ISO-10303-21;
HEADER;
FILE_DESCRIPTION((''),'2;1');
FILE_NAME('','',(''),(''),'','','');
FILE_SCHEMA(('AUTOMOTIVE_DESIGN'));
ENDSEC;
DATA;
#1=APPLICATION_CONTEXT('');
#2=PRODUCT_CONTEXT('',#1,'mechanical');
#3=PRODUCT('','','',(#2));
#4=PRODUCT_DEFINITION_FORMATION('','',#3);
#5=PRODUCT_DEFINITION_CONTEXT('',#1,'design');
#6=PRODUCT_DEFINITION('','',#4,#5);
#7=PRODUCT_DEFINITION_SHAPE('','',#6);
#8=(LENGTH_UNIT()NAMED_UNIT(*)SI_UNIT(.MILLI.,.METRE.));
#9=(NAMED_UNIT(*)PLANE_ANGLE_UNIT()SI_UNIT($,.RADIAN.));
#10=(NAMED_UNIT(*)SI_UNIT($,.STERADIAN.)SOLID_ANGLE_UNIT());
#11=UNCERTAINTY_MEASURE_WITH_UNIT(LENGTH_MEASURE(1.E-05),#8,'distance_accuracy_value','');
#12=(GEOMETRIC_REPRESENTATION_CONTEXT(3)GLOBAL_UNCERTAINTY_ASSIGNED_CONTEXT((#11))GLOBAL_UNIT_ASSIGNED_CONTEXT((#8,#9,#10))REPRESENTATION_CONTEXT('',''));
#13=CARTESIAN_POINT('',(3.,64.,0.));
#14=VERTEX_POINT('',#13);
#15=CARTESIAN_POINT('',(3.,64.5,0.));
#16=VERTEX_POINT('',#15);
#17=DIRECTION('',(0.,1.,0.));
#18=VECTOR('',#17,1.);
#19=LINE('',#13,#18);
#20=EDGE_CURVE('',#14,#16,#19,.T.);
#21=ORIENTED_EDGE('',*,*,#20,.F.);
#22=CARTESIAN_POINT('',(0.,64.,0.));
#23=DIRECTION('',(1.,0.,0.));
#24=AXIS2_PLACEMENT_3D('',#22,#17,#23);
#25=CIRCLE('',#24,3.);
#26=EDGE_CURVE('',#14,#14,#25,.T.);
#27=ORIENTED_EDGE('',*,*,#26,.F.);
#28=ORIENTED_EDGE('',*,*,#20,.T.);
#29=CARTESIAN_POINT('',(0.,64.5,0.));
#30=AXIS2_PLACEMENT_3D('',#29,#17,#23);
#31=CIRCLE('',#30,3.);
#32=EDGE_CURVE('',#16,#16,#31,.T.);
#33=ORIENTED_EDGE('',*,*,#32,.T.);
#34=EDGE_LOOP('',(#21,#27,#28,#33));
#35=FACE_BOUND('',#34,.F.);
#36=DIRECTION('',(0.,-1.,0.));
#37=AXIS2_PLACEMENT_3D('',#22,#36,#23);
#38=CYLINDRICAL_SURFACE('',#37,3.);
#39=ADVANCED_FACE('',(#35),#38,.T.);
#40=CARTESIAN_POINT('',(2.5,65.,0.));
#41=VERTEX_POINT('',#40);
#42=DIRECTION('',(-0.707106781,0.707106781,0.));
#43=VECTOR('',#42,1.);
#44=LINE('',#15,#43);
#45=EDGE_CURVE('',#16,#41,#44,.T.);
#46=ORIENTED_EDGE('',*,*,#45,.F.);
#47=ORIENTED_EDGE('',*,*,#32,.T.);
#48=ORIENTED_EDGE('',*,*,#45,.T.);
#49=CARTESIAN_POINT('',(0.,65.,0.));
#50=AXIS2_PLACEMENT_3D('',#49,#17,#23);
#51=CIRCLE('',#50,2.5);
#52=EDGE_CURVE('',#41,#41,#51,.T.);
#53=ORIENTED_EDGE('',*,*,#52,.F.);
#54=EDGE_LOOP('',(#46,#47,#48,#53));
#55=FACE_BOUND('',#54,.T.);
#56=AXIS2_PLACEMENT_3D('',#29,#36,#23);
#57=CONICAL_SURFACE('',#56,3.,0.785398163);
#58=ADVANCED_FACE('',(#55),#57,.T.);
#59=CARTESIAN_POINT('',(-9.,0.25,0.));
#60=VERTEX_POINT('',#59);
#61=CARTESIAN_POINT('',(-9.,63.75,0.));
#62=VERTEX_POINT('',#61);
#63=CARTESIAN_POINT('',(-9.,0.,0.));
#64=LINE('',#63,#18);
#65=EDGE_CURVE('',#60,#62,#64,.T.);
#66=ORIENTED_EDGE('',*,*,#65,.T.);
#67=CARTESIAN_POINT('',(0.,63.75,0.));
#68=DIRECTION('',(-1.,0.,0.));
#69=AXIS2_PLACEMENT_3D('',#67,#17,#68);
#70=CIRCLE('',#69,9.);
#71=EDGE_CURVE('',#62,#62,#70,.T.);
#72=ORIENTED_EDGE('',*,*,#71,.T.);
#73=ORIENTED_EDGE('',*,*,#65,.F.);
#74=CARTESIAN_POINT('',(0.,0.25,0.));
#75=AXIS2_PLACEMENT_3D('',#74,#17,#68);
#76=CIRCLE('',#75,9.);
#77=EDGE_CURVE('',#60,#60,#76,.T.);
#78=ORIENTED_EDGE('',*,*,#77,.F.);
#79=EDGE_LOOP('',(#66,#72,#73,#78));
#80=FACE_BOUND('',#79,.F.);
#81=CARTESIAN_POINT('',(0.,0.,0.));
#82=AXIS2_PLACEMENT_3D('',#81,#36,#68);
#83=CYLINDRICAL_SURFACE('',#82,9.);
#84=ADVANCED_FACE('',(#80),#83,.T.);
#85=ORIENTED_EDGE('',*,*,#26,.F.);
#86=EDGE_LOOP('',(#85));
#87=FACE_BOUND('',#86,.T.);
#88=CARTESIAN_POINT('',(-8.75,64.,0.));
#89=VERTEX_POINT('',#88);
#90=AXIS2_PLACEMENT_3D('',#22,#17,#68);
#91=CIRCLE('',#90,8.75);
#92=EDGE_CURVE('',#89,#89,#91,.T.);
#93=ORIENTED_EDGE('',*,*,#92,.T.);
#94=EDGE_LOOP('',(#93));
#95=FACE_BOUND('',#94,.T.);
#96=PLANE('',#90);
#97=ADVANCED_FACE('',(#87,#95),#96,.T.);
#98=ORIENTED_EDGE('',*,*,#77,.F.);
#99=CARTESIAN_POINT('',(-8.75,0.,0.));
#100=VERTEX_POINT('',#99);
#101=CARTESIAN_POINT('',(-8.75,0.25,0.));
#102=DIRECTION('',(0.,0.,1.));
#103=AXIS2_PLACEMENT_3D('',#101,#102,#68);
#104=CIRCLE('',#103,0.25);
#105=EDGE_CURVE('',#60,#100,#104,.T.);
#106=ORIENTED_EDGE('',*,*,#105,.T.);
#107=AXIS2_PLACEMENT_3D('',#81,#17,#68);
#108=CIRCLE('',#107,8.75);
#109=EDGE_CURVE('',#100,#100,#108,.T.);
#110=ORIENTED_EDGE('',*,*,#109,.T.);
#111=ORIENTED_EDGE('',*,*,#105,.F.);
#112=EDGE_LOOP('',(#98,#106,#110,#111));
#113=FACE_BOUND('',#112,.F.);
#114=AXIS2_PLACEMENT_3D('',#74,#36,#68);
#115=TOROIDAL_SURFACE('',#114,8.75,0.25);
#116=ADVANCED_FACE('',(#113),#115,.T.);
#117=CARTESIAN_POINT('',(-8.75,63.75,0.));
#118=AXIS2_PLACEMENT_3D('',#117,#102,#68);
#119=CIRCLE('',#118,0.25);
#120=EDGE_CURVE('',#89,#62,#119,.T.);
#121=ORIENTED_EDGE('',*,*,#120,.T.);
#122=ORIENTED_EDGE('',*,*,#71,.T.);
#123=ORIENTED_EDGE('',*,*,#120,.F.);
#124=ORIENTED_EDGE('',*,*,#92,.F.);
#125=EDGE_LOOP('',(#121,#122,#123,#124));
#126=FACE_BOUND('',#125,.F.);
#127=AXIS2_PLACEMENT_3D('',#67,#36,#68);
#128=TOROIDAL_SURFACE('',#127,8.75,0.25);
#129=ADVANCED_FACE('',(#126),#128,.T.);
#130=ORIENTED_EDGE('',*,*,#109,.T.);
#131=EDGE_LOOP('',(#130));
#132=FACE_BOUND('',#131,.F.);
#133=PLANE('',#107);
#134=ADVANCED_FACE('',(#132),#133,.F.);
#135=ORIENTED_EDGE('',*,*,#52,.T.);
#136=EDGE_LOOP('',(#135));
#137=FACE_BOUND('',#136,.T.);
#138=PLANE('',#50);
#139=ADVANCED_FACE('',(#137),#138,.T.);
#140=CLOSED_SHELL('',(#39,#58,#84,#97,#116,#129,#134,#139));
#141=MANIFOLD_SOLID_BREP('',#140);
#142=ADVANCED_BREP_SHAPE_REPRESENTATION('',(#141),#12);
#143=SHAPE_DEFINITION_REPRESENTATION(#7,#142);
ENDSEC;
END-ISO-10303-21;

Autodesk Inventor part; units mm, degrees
ref_plane "YZ Plane" through (0, 0, 0) normal (1, 0, 0) x (0, 1, 0)
ref_plane "XZ Plane" through (0, 0, 0) normal (0, 1, 0) x (-1, 0, 0)
ref_plane "XY Plane" through (0, 0, 0) normal (0, 0, 1) x (1, 0, 0)
sketch "Sketch1" plane through (0, 0, 0) normal (0, 1, 0) x (-1, 0, 0)
  circle A0 centre (0, 0) radius 9
  dimension "d0" = 18
extrude "Extrusion1" add sketch "Sketch1" along normal blind 64
sketch "Sketch2" plane through (0, 64, 0) normal (0, 1, 0) x (1, 0, 0)
  circle A0 centre (0, 0) radius 9 projected
  circle A1 centre (0, 0) radius 3
  dimension "d3" = 6
extrude "Extrusion2" add sketch "Sketch2" along normal blind 1 contours A1
chamfer "Chamfer1" distance 0.5 angle 45 1 edges at (-3, 65, 0)
fillet "Fillet1" radius 0.25 2 edges at (9, 64, 0) (9, 0, 0)
properties part number "18650" material "Steel"
